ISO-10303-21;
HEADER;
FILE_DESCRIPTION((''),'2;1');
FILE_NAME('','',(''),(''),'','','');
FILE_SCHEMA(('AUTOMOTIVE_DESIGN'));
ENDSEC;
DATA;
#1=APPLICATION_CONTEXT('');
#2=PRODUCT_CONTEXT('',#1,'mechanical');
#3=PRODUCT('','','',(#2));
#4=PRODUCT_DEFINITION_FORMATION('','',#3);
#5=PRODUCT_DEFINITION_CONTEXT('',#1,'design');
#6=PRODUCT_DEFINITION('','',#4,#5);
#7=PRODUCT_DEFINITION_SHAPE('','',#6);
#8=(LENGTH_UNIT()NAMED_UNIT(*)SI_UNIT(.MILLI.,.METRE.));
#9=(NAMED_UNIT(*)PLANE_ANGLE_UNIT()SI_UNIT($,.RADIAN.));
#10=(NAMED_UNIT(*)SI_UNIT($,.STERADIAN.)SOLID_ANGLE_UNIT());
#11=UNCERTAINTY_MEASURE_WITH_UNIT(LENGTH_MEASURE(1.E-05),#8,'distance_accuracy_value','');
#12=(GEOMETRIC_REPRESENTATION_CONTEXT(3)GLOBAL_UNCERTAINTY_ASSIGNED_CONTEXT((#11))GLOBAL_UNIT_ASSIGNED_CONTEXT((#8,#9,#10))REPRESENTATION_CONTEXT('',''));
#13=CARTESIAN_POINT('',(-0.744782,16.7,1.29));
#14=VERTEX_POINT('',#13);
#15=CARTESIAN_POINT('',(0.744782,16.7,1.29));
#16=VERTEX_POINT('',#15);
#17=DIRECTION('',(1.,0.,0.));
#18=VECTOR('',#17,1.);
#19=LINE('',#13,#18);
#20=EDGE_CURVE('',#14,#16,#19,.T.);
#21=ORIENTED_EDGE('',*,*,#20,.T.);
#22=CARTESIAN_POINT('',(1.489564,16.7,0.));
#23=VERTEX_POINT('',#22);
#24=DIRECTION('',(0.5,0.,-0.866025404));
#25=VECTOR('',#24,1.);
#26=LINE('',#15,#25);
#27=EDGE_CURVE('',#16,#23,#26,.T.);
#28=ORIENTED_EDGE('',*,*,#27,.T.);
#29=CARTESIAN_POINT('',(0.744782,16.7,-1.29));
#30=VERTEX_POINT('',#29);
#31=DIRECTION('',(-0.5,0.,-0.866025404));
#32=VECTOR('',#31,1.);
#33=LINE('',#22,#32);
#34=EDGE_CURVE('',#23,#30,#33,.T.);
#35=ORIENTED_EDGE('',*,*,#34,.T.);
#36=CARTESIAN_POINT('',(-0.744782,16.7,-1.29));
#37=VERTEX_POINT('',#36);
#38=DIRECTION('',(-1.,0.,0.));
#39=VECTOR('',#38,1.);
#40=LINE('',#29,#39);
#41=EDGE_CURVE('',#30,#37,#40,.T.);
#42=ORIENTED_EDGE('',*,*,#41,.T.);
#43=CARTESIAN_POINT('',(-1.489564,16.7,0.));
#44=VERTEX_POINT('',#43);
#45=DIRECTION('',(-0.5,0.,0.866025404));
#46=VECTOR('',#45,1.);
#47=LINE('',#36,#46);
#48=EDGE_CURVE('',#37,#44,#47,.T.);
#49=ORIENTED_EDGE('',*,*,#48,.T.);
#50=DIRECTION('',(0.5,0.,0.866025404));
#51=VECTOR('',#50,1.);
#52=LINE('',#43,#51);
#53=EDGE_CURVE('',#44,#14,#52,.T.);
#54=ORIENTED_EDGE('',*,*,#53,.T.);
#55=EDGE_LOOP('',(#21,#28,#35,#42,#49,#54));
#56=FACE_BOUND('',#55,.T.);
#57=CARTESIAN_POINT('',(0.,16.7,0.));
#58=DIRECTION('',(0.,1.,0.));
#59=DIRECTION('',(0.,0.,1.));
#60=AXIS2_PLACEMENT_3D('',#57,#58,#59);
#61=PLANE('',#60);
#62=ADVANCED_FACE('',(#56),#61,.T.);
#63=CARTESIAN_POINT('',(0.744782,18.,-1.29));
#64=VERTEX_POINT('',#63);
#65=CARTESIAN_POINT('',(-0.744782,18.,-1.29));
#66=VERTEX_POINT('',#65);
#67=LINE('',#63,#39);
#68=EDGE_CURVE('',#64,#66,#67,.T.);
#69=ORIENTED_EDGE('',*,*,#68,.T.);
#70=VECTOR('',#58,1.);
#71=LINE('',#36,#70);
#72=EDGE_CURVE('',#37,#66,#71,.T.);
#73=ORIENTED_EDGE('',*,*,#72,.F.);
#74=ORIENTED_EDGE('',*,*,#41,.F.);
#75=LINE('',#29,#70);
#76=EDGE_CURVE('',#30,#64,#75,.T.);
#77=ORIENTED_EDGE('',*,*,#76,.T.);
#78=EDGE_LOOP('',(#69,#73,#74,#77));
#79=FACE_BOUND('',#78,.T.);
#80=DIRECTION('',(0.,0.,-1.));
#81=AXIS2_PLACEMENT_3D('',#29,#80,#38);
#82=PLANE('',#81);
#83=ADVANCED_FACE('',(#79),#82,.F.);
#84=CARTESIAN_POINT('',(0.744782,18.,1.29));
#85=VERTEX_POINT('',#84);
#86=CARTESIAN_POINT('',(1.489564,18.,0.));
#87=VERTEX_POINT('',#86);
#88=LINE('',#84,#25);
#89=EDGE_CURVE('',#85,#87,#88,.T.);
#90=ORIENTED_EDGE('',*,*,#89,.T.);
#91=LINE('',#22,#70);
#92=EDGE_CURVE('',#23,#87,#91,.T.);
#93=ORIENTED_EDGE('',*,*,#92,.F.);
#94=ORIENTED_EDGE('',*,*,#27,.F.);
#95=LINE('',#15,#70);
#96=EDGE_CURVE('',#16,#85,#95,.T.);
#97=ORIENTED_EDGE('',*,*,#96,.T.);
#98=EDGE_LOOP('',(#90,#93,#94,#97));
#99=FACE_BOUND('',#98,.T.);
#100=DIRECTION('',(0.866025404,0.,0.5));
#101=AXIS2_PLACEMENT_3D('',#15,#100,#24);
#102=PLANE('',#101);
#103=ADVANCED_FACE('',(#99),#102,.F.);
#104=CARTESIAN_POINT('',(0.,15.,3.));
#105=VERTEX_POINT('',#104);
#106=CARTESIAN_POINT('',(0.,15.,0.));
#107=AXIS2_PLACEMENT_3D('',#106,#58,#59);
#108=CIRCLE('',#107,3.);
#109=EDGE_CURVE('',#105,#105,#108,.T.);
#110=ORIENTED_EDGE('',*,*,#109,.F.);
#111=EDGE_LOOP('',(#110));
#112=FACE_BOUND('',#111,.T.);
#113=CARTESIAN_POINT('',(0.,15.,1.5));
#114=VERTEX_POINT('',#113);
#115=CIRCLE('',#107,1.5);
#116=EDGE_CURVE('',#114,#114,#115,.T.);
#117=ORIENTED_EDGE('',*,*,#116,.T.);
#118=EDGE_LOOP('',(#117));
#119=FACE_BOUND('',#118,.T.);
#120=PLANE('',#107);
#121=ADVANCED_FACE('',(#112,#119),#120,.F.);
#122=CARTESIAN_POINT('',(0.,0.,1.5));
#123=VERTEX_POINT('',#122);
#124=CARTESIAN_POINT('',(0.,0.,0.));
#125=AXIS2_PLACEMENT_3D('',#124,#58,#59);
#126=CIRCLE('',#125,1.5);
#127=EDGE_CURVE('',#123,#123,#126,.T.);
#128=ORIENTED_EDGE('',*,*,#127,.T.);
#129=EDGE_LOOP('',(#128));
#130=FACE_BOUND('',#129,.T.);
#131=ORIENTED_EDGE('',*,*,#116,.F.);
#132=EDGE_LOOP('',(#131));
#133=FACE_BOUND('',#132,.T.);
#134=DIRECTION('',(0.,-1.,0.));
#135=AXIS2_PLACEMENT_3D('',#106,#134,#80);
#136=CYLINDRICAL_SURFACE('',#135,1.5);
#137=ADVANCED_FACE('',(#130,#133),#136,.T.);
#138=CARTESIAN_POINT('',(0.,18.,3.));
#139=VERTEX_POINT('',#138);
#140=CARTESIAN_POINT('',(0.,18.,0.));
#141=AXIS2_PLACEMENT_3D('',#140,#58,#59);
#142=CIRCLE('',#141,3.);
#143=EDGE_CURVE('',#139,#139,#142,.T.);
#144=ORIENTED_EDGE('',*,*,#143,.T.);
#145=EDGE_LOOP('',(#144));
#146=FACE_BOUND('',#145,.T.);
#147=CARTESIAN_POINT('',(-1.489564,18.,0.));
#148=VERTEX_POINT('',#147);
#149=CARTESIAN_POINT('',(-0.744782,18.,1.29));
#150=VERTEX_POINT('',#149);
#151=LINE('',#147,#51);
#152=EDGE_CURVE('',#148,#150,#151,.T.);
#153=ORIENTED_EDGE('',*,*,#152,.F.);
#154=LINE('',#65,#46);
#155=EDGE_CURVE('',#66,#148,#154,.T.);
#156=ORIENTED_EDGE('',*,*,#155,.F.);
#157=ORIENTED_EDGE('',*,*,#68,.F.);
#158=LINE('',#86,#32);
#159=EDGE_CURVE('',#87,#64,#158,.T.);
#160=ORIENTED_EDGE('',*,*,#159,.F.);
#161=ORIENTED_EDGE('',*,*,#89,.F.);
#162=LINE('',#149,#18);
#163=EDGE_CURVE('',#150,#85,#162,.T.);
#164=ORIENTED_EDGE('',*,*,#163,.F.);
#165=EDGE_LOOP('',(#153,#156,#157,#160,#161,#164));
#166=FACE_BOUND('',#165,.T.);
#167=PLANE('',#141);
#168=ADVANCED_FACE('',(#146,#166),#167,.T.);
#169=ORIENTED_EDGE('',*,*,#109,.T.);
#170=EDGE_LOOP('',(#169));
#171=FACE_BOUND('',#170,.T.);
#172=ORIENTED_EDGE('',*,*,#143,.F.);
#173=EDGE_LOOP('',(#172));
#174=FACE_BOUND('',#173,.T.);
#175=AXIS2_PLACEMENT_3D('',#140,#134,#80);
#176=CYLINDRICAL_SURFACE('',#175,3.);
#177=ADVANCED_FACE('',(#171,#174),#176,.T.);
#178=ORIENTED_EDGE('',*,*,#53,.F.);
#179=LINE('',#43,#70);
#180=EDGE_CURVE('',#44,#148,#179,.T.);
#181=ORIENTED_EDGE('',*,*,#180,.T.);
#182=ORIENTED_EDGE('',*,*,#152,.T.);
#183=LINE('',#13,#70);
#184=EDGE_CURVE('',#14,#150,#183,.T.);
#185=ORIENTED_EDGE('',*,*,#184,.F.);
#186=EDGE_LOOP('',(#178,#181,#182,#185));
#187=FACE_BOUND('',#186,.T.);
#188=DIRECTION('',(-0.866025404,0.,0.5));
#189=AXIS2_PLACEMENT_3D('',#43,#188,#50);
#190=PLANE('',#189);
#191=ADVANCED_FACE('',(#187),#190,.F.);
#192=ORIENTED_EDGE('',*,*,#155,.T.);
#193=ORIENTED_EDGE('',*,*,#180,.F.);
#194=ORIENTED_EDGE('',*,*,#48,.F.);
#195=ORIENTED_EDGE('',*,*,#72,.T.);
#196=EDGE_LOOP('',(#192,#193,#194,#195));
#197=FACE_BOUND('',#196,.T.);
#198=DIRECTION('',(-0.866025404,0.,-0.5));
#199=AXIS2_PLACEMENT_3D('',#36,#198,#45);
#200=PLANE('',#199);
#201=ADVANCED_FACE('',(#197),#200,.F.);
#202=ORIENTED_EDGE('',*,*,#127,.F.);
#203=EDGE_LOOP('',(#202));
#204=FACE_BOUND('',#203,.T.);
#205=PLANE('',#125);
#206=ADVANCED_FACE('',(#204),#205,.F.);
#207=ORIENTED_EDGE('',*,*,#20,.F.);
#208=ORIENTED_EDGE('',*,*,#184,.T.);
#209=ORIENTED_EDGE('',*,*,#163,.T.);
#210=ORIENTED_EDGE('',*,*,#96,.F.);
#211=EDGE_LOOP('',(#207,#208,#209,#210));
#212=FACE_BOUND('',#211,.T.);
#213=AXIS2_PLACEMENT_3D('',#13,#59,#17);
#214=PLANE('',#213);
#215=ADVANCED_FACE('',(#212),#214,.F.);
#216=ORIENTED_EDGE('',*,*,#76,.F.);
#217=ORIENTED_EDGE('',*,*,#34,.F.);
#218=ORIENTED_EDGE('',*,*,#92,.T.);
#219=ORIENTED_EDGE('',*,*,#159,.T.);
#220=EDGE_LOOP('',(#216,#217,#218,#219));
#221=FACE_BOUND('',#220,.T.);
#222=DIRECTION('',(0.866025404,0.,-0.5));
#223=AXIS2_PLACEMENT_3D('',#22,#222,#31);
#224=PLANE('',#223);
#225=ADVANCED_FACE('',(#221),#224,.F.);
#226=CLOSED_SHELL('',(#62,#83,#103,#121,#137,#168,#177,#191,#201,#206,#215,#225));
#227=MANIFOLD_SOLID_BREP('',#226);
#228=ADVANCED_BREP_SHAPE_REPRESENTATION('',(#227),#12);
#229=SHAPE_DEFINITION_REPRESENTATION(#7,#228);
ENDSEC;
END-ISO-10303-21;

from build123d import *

# Parameters (mm, degrees)
SKETCH1_R           = 1.5
SCREWSHAFT_DEPTH    = 15
SKETCH2_R           = 3
BOSS_EXTRUDE2_DEPTH = 3
CUT_EXTRUDE1_DEPTH  = 1.3


with BuildPart() as part:
    # Sketch1 → ScrewShaft (new body)
    with BuildSketch(Plane(origin=(0, 0, 0), x_dir=(1, 0, 0), z_dir=(0, 1, 0))):
        with Locations(Location((0, 0, 0), (0, 0, 270))):
            Circle(SKETCH1_R)
    extrude(amount=SCREWSHAFT_DEPTH)

    # Sketch2 → Boss-Extrude2 (add)
    with BuildSketch(Plane(origin=(0, 15, 0), x_dir=(1, 0, 0), z_dir=(0, 1, 0))):
        with Locations(Location((0, 0, 0), (0, 0, 270))):
            Circle(SKETCH2_R)
    extrude(amount=BOSS_EXTRUDE2_DEPTH)

    # Sketch3 → Cut-Extrude1 (cut)
    with BuildSketch(Plane(origin=(0, 18, 0), x_dir=(1, 0, 0), z_dir=(0, 1, 0))):
        Polygon((1.489563695, 0), (0.744781847, 1.29), (-0.744781847, 1.29), (-1.489563695, 0), (-0.744781847, -1.29), (0.744781847, -1.29), align=None)
    extrude(amount=-CUT_EXTRUDE1_DEPTH, mode=Mode.SUBTRACT)


solid = part.part
